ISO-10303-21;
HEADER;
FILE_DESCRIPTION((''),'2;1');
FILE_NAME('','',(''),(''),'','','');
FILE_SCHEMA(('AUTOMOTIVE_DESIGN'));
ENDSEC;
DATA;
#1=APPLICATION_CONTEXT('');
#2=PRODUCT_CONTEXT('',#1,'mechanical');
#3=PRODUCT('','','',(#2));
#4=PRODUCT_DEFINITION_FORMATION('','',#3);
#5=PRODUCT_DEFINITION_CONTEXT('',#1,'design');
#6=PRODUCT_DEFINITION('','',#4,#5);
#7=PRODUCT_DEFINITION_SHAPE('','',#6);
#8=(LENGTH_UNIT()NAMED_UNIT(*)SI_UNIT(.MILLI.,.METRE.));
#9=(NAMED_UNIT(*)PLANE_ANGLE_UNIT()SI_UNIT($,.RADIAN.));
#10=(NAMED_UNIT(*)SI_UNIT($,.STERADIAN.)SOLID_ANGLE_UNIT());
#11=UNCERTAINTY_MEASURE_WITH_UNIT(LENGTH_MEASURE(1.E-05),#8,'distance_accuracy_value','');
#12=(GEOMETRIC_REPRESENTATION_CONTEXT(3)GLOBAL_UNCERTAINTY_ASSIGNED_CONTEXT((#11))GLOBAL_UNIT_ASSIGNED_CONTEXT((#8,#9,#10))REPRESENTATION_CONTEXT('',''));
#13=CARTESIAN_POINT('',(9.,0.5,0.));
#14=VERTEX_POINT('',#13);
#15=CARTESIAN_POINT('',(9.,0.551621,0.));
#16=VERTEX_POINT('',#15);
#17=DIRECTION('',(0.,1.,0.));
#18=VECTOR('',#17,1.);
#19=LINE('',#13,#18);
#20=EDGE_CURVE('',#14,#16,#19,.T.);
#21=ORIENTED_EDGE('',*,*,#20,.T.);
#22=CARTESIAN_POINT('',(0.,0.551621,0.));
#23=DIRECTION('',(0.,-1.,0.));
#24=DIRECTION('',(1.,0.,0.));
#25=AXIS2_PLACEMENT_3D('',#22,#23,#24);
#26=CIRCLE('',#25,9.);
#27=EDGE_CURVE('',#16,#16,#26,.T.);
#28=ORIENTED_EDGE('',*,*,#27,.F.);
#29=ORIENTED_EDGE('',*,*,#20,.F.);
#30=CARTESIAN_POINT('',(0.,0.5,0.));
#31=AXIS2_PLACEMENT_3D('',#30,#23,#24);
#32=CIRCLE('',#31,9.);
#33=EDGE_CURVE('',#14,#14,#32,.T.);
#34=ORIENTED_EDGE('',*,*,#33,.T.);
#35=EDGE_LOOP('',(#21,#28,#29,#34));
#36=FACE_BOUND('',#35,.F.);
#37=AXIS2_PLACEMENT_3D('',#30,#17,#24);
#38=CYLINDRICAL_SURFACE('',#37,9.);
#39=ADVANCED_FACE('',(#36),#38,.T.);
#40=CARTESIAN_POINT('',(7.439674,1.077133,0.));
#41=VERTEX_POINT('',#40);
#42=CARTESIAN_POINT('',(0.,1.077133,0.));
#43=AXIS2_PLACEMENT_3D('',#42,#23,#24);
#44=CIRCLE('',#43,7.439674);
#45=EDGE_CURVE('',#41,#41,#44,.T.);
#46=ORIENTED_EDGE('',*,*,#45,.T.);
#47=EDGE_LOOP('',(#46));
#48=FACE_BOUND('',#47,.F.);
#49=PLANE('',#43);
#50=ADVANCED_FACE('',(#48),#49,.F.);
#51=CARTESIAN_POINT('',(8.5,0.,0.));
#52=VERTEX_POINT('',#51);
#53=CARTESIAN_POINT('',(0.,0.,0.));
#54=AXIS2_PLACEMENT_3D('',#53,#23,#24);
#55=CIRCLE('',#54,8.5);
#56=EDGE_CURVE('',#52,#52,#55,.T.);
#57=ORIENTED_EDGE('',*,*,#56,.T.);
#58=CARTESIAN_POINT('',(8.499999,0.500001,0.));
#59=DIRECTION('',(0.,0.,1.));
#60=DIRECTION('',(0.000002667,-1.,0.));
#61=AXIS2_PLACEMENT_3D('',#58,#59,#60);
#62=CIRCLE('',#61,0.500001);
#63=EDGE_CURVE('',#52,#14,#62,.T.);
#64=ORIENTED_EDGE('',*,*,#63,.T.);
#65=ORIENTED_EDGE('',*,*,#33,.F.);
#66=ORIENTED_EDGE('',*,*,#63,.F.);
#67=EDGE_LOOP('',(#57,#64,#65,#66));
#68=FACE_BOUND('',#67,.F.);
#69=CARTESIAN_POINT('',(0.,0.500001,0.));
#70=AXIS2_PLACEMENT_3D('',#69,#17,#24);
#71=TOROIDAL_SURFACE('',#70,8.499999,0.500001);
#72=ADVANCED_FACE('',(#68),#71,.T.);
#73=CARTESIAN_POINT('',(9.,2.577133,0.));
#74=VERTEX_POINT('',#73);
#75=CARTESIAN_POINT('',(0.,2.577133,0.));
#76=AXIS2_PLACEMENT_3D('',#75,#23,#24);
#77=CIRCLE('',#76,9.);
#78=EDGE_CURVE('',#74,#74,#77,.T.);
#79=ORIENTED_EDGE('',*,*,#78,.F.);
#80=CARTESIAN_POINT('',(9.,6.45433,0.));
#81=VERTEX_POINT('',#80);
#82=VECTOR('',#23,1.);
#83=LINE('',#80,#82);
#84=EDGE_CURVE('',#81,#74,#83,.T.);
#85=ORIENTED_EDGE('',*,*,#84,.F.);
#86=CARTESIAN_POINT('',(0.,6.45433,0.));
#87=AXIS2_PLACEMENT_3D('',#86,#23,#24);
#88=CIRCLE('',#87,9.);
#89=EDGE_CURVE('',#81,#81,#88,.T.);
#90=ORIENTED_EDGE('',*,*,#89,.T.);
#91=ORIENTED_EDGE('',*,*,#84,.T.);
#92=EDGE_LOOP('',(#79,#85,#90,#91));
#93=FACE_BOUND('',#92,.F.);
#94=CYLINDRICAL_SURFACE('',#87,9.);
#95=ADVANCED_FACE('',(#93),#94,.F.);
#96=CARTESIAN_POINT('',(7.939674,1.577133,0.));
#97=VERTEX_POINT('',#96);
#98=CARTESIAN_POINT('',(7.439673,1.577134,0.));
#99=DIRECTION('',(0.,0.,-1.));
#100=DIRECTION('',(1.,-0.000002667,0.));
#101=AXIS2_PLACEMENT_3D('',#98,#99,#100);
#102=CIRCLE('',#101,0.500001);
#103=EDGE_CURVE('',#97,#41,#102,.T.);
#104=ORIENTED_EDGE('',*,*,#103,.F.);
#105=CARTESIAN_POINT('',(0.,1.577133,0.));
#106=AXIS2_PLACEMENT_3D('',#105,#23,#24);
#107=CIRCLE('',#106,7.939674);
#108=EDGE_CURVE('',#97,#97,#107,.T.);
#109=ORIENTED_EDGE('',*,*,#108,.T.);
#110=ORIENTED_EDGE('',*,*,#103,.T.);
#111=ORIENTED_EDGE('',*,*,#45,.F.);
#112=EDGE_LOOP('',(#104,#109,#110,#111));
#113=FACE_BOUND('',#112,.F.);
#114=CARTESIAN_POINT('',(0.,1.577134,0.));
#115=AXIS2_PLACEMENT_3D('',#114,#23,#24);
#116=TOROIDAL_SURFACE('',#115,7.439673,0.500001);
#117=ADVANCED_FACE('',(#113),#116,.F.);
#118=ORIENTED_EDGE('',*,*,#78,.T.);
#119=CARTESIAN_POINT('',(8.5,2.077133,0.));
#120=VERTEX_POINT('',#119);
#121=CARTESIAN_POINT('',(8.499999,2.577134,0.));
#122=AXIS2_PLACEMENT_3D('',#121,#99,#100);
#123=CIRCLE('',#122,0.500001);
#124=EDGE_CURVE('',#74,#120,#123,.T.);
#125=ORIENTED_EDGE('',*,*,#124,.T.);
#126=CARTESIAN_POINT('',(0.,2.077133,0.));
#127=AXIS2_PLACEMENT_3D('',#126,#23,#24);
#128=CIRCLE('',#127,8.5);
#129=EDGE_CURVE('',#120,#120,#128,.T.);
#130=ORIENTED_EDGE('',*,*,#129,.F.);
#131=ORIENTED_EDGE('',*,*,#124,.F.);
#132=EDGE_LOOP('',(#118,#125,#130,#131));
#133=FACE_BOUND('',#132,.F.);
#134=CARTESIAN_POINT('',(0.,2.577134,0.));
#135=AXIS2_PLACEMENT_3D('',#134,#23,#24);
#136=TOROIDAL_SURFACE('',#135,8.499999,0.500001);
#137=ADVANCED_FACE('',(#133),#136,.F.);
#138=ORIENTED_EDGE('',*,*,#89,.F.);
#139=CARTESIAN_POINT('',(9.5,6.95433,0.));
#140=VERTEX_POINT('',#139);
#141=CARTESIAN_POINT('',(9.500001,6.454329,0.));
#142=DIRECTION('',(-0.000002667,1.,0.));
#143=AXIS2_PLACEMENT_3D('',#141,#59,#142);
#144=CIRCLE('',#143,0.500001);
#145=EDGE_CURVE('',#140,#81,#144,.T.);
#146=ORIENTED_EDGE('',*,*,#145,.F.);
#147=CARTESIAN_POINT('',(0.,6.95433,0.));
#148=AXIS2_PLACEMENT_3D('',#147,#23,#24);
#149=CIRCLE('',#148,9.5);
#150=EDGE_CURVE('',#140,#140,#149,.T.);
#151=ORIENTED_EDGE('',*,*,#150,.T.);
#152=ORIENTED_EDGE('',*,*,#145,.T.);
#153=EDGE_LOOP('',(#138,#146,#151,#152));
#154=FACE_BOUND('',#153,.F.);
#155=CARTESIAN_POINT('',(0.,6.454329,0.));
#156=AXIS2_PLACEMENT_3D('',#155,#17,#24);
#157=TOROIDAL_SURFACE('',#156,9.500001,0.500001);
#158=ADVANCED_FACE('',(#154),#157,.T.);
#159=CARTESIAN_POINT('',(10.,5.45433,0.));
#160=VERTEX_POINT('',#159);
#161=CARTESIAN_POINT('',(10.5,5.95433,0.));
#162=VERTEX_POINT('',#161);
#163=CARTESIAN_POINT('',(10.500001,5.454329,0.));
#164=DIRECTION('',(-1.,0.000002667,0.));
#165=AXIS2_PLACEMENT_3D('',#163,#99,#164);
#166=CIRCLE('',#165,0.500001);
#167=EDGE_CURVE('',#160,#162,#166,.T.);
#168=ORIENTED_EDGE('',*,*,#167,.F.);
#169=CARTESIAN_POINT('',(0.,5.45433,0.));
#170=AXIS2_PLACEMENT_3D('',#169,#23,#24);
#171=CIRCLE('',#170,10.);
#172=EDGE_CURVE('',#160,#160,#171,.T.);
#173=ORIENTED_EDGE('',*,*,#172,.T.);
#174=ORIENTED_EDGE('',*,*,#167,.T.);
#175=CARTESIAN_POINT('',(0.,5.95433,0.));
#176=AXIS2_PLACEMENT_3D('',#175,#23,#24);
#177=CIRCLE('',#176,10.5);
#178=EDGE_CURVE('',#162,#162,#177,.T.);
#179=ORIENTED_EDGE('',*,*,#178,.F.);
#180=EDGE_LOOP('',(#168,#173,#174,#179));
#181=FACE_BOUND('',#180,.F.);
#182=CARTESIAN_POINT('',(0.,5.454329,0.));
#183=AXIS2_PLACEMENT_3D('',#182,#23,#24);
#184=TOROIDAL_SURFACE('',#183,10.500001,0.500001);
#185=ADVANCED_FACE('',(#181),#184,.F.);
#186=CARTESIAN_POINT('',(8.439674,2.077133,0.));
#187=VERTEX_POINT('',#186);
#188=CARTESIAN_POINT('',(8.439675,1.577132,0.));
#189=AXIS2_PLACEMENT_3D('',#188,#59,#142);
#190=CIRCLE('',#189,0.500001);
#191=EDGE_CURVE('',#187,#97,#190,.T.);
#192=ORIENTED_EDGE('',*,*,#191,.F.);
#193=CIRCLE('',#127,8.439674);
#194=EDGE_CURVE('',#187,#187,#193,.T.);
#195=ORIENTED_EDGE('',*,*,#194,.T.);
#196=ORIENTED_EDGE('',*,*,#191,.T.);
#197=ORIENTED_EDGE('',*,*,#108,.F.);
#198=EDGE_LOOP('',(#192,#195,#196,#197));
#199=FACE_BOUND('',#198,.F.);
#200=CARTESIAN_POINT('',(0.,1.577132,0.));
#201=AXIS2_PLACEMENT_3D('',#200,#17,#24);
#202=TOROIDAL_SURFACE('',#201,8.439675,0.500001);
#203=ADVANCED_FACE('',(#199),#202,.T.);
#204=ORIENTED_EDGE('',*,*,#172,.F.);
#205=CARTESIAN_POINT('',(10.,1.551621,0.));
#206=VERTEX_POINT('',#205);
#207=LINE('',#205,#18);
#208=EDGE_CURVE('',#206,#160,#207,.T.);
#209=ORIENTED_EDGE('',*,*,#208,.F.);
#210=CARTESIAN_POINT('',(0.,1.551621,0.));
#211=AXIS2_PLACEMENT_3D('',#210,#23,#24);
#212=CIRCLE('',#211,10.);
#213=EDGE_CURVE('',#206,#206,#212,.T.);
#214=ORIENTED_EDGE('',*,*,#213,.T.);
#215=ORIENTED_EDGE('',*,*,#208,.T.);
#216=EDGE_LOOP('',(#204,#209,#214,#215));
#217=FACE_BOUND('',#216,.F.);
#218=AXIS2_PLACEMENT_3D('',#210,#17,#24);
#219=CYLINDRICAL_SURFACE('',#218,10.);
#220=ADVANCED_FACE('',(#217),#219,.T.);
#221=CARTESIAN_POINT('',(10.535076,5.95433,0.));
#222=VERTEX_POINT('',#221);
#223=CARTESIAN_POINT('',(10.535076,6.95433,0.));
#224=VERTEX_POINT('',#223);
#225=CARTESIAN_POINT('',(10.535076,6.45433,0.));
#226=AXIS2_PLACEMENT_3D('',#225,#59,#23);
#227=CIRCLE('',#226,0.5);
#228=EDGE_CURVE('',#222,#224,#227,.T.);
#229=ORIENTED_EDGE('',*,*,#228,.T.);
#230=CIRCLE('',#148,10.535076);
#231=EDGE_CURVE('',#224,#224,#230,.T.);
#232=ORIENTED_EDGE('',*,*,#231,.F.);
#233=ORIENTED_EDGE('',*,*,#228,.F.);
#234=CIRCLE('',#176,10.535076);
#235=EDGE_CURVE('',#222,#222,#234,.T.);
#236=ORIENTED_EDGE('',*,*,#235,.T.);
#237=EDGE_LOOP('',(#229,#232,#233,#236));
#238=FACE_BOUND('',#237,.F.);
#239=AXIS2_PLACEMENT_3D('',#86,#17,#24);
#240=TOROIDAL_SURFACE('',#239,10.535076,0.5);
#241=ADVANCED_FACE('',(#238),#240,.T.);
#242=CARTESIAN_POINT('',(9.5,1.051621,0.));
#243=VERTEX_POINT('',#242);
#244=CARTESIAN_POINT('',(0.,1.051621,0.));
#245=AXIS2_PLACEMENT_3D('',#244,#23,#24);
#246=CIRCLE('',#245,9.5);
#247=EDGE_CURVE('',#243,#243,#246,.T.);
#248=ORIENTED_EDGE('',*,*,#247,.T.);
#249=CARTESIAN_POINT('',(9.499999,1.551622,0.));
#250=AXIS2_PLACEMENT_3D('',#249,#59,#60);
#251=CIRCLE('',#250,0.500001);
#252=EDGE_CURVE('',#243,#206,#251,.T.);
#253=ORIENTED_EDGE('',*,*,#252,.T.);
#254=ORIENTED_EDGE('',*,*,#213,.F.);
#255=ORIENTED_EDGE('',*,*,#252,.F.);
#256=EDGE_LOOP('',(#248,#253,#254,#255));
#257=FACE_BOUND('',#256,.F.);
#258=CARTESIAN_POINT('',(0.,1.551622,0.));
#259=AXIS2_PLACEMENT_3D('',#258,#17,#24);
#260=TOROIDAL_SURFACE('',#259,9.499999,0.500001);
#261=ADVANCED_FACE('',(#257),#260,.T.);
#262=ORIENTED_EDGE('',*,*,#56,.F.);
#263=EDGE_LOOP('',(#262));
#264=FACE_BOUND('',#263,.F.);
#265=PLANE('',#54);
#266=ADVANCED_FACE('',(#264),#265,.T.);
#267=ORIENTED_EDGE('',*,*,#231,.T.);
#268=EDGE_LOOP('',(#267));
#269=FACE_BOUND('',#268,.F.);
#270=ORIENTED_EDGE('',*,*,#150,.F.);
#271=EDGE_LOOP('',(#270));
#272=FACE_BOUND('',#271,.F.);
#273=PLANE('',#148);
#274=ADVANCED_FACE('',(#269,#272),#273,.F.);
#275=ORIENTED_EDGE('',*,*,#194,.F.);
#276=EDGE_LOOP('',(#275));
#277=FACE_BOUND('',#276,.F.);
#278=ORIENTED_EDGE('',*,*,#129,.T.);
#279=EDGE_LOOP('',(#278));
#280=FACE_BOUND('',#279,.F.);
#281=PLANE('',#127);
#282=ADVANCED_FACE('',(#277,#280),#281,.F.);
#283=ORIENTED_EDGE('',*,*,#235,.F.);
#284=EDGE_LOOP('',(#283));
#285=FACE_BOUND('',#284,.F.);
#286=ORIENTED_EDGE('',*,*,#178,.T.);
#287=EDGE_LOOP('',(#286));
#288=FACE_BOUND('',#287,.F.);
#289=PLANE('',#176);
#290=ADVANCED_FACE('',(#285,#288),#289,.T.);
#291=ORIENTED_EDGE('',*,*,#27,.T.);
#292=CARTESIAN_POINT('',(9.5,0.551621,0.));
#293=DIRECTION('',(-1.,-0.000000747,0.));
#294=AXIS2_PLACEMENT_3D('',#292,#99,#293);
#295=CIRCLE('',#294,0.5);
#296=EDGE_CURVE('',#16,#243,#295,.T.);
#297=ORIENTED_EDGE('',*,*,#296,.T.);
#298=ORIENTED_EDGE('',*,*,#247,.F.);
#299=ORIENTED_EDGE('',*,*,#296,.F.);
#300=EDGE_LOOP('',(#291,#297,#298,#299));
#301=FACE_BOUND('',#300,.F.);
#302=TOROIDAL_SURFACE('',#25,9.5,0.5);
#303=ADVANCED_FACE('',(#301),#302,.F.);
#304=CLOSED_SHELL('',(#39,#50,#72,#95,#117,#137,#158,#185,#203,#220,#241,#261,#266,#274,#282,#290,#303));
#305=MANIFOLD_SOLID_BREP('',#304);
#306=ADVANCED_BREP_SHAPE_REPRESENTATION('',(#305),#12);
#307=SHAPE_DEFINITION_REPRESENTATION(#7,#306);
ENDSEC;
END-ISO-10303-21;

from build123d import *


with BuildPart() as f1:
    # F0 (on Top) → F1 (revolve)
    with BuildSketch(Plane.XY):
        with BuildLine():
            Line((0, 1.077133), (0, 0))
            Line((0, 0), (8.5, 0))
            ThreePointArc((8.5, 0), (8.853553, 0.146447), (9, 0.5))
            Line((9, 0.5), (9, 0.551621))
            ThreePointArc((9, 0.551621), (9.146447, 0.905175), (9.5, 1.051621))
            ThreePointArc((9.5, 1.051621), (9.853553, 1.198068), (10, 1.551621))
            Line((10, 1.551621), (10, 5.45433))
            ThreePointArc((10, 5.45433), (10.146447, 5.807883), (10.5, 5.95433))
            Line((10.5, 5.95433), (10.535076, 5.95433))
            ThreePointArc((10.535076, 5.95433), (11.035076, 6.45433), (10.535076, 6.95433))
            Line((10.535076, 6.95433), (9.5, 6.95433))
            ThreePointArc((9.5, 6.95433), (9.146447, 6.807883), (9, 6.45433))
            Line((9, 6.45433), (9, 2.577133))
            ThreePointArc((9, 2.577133), (8.853553, 2.22358), (8.5, 2.077133))
            Line((8.5, 2.077133), (8.439674, 2.077133))
            ThreePointArc((8.439674, 2.077133), (8.086121, 1.930686), (7.939674, 1.577133))
            ThreePointArc((7.939674, 1.577133), (7.793227, 1.22358), (7.439674, 1.077133))
            Line((7.439674, 1.077133), (0, 1.077133))
        make_face()
    revolve(axis=Axis((0, 0.538567, 0), (0, -1, 0)))


solid = f1.part
